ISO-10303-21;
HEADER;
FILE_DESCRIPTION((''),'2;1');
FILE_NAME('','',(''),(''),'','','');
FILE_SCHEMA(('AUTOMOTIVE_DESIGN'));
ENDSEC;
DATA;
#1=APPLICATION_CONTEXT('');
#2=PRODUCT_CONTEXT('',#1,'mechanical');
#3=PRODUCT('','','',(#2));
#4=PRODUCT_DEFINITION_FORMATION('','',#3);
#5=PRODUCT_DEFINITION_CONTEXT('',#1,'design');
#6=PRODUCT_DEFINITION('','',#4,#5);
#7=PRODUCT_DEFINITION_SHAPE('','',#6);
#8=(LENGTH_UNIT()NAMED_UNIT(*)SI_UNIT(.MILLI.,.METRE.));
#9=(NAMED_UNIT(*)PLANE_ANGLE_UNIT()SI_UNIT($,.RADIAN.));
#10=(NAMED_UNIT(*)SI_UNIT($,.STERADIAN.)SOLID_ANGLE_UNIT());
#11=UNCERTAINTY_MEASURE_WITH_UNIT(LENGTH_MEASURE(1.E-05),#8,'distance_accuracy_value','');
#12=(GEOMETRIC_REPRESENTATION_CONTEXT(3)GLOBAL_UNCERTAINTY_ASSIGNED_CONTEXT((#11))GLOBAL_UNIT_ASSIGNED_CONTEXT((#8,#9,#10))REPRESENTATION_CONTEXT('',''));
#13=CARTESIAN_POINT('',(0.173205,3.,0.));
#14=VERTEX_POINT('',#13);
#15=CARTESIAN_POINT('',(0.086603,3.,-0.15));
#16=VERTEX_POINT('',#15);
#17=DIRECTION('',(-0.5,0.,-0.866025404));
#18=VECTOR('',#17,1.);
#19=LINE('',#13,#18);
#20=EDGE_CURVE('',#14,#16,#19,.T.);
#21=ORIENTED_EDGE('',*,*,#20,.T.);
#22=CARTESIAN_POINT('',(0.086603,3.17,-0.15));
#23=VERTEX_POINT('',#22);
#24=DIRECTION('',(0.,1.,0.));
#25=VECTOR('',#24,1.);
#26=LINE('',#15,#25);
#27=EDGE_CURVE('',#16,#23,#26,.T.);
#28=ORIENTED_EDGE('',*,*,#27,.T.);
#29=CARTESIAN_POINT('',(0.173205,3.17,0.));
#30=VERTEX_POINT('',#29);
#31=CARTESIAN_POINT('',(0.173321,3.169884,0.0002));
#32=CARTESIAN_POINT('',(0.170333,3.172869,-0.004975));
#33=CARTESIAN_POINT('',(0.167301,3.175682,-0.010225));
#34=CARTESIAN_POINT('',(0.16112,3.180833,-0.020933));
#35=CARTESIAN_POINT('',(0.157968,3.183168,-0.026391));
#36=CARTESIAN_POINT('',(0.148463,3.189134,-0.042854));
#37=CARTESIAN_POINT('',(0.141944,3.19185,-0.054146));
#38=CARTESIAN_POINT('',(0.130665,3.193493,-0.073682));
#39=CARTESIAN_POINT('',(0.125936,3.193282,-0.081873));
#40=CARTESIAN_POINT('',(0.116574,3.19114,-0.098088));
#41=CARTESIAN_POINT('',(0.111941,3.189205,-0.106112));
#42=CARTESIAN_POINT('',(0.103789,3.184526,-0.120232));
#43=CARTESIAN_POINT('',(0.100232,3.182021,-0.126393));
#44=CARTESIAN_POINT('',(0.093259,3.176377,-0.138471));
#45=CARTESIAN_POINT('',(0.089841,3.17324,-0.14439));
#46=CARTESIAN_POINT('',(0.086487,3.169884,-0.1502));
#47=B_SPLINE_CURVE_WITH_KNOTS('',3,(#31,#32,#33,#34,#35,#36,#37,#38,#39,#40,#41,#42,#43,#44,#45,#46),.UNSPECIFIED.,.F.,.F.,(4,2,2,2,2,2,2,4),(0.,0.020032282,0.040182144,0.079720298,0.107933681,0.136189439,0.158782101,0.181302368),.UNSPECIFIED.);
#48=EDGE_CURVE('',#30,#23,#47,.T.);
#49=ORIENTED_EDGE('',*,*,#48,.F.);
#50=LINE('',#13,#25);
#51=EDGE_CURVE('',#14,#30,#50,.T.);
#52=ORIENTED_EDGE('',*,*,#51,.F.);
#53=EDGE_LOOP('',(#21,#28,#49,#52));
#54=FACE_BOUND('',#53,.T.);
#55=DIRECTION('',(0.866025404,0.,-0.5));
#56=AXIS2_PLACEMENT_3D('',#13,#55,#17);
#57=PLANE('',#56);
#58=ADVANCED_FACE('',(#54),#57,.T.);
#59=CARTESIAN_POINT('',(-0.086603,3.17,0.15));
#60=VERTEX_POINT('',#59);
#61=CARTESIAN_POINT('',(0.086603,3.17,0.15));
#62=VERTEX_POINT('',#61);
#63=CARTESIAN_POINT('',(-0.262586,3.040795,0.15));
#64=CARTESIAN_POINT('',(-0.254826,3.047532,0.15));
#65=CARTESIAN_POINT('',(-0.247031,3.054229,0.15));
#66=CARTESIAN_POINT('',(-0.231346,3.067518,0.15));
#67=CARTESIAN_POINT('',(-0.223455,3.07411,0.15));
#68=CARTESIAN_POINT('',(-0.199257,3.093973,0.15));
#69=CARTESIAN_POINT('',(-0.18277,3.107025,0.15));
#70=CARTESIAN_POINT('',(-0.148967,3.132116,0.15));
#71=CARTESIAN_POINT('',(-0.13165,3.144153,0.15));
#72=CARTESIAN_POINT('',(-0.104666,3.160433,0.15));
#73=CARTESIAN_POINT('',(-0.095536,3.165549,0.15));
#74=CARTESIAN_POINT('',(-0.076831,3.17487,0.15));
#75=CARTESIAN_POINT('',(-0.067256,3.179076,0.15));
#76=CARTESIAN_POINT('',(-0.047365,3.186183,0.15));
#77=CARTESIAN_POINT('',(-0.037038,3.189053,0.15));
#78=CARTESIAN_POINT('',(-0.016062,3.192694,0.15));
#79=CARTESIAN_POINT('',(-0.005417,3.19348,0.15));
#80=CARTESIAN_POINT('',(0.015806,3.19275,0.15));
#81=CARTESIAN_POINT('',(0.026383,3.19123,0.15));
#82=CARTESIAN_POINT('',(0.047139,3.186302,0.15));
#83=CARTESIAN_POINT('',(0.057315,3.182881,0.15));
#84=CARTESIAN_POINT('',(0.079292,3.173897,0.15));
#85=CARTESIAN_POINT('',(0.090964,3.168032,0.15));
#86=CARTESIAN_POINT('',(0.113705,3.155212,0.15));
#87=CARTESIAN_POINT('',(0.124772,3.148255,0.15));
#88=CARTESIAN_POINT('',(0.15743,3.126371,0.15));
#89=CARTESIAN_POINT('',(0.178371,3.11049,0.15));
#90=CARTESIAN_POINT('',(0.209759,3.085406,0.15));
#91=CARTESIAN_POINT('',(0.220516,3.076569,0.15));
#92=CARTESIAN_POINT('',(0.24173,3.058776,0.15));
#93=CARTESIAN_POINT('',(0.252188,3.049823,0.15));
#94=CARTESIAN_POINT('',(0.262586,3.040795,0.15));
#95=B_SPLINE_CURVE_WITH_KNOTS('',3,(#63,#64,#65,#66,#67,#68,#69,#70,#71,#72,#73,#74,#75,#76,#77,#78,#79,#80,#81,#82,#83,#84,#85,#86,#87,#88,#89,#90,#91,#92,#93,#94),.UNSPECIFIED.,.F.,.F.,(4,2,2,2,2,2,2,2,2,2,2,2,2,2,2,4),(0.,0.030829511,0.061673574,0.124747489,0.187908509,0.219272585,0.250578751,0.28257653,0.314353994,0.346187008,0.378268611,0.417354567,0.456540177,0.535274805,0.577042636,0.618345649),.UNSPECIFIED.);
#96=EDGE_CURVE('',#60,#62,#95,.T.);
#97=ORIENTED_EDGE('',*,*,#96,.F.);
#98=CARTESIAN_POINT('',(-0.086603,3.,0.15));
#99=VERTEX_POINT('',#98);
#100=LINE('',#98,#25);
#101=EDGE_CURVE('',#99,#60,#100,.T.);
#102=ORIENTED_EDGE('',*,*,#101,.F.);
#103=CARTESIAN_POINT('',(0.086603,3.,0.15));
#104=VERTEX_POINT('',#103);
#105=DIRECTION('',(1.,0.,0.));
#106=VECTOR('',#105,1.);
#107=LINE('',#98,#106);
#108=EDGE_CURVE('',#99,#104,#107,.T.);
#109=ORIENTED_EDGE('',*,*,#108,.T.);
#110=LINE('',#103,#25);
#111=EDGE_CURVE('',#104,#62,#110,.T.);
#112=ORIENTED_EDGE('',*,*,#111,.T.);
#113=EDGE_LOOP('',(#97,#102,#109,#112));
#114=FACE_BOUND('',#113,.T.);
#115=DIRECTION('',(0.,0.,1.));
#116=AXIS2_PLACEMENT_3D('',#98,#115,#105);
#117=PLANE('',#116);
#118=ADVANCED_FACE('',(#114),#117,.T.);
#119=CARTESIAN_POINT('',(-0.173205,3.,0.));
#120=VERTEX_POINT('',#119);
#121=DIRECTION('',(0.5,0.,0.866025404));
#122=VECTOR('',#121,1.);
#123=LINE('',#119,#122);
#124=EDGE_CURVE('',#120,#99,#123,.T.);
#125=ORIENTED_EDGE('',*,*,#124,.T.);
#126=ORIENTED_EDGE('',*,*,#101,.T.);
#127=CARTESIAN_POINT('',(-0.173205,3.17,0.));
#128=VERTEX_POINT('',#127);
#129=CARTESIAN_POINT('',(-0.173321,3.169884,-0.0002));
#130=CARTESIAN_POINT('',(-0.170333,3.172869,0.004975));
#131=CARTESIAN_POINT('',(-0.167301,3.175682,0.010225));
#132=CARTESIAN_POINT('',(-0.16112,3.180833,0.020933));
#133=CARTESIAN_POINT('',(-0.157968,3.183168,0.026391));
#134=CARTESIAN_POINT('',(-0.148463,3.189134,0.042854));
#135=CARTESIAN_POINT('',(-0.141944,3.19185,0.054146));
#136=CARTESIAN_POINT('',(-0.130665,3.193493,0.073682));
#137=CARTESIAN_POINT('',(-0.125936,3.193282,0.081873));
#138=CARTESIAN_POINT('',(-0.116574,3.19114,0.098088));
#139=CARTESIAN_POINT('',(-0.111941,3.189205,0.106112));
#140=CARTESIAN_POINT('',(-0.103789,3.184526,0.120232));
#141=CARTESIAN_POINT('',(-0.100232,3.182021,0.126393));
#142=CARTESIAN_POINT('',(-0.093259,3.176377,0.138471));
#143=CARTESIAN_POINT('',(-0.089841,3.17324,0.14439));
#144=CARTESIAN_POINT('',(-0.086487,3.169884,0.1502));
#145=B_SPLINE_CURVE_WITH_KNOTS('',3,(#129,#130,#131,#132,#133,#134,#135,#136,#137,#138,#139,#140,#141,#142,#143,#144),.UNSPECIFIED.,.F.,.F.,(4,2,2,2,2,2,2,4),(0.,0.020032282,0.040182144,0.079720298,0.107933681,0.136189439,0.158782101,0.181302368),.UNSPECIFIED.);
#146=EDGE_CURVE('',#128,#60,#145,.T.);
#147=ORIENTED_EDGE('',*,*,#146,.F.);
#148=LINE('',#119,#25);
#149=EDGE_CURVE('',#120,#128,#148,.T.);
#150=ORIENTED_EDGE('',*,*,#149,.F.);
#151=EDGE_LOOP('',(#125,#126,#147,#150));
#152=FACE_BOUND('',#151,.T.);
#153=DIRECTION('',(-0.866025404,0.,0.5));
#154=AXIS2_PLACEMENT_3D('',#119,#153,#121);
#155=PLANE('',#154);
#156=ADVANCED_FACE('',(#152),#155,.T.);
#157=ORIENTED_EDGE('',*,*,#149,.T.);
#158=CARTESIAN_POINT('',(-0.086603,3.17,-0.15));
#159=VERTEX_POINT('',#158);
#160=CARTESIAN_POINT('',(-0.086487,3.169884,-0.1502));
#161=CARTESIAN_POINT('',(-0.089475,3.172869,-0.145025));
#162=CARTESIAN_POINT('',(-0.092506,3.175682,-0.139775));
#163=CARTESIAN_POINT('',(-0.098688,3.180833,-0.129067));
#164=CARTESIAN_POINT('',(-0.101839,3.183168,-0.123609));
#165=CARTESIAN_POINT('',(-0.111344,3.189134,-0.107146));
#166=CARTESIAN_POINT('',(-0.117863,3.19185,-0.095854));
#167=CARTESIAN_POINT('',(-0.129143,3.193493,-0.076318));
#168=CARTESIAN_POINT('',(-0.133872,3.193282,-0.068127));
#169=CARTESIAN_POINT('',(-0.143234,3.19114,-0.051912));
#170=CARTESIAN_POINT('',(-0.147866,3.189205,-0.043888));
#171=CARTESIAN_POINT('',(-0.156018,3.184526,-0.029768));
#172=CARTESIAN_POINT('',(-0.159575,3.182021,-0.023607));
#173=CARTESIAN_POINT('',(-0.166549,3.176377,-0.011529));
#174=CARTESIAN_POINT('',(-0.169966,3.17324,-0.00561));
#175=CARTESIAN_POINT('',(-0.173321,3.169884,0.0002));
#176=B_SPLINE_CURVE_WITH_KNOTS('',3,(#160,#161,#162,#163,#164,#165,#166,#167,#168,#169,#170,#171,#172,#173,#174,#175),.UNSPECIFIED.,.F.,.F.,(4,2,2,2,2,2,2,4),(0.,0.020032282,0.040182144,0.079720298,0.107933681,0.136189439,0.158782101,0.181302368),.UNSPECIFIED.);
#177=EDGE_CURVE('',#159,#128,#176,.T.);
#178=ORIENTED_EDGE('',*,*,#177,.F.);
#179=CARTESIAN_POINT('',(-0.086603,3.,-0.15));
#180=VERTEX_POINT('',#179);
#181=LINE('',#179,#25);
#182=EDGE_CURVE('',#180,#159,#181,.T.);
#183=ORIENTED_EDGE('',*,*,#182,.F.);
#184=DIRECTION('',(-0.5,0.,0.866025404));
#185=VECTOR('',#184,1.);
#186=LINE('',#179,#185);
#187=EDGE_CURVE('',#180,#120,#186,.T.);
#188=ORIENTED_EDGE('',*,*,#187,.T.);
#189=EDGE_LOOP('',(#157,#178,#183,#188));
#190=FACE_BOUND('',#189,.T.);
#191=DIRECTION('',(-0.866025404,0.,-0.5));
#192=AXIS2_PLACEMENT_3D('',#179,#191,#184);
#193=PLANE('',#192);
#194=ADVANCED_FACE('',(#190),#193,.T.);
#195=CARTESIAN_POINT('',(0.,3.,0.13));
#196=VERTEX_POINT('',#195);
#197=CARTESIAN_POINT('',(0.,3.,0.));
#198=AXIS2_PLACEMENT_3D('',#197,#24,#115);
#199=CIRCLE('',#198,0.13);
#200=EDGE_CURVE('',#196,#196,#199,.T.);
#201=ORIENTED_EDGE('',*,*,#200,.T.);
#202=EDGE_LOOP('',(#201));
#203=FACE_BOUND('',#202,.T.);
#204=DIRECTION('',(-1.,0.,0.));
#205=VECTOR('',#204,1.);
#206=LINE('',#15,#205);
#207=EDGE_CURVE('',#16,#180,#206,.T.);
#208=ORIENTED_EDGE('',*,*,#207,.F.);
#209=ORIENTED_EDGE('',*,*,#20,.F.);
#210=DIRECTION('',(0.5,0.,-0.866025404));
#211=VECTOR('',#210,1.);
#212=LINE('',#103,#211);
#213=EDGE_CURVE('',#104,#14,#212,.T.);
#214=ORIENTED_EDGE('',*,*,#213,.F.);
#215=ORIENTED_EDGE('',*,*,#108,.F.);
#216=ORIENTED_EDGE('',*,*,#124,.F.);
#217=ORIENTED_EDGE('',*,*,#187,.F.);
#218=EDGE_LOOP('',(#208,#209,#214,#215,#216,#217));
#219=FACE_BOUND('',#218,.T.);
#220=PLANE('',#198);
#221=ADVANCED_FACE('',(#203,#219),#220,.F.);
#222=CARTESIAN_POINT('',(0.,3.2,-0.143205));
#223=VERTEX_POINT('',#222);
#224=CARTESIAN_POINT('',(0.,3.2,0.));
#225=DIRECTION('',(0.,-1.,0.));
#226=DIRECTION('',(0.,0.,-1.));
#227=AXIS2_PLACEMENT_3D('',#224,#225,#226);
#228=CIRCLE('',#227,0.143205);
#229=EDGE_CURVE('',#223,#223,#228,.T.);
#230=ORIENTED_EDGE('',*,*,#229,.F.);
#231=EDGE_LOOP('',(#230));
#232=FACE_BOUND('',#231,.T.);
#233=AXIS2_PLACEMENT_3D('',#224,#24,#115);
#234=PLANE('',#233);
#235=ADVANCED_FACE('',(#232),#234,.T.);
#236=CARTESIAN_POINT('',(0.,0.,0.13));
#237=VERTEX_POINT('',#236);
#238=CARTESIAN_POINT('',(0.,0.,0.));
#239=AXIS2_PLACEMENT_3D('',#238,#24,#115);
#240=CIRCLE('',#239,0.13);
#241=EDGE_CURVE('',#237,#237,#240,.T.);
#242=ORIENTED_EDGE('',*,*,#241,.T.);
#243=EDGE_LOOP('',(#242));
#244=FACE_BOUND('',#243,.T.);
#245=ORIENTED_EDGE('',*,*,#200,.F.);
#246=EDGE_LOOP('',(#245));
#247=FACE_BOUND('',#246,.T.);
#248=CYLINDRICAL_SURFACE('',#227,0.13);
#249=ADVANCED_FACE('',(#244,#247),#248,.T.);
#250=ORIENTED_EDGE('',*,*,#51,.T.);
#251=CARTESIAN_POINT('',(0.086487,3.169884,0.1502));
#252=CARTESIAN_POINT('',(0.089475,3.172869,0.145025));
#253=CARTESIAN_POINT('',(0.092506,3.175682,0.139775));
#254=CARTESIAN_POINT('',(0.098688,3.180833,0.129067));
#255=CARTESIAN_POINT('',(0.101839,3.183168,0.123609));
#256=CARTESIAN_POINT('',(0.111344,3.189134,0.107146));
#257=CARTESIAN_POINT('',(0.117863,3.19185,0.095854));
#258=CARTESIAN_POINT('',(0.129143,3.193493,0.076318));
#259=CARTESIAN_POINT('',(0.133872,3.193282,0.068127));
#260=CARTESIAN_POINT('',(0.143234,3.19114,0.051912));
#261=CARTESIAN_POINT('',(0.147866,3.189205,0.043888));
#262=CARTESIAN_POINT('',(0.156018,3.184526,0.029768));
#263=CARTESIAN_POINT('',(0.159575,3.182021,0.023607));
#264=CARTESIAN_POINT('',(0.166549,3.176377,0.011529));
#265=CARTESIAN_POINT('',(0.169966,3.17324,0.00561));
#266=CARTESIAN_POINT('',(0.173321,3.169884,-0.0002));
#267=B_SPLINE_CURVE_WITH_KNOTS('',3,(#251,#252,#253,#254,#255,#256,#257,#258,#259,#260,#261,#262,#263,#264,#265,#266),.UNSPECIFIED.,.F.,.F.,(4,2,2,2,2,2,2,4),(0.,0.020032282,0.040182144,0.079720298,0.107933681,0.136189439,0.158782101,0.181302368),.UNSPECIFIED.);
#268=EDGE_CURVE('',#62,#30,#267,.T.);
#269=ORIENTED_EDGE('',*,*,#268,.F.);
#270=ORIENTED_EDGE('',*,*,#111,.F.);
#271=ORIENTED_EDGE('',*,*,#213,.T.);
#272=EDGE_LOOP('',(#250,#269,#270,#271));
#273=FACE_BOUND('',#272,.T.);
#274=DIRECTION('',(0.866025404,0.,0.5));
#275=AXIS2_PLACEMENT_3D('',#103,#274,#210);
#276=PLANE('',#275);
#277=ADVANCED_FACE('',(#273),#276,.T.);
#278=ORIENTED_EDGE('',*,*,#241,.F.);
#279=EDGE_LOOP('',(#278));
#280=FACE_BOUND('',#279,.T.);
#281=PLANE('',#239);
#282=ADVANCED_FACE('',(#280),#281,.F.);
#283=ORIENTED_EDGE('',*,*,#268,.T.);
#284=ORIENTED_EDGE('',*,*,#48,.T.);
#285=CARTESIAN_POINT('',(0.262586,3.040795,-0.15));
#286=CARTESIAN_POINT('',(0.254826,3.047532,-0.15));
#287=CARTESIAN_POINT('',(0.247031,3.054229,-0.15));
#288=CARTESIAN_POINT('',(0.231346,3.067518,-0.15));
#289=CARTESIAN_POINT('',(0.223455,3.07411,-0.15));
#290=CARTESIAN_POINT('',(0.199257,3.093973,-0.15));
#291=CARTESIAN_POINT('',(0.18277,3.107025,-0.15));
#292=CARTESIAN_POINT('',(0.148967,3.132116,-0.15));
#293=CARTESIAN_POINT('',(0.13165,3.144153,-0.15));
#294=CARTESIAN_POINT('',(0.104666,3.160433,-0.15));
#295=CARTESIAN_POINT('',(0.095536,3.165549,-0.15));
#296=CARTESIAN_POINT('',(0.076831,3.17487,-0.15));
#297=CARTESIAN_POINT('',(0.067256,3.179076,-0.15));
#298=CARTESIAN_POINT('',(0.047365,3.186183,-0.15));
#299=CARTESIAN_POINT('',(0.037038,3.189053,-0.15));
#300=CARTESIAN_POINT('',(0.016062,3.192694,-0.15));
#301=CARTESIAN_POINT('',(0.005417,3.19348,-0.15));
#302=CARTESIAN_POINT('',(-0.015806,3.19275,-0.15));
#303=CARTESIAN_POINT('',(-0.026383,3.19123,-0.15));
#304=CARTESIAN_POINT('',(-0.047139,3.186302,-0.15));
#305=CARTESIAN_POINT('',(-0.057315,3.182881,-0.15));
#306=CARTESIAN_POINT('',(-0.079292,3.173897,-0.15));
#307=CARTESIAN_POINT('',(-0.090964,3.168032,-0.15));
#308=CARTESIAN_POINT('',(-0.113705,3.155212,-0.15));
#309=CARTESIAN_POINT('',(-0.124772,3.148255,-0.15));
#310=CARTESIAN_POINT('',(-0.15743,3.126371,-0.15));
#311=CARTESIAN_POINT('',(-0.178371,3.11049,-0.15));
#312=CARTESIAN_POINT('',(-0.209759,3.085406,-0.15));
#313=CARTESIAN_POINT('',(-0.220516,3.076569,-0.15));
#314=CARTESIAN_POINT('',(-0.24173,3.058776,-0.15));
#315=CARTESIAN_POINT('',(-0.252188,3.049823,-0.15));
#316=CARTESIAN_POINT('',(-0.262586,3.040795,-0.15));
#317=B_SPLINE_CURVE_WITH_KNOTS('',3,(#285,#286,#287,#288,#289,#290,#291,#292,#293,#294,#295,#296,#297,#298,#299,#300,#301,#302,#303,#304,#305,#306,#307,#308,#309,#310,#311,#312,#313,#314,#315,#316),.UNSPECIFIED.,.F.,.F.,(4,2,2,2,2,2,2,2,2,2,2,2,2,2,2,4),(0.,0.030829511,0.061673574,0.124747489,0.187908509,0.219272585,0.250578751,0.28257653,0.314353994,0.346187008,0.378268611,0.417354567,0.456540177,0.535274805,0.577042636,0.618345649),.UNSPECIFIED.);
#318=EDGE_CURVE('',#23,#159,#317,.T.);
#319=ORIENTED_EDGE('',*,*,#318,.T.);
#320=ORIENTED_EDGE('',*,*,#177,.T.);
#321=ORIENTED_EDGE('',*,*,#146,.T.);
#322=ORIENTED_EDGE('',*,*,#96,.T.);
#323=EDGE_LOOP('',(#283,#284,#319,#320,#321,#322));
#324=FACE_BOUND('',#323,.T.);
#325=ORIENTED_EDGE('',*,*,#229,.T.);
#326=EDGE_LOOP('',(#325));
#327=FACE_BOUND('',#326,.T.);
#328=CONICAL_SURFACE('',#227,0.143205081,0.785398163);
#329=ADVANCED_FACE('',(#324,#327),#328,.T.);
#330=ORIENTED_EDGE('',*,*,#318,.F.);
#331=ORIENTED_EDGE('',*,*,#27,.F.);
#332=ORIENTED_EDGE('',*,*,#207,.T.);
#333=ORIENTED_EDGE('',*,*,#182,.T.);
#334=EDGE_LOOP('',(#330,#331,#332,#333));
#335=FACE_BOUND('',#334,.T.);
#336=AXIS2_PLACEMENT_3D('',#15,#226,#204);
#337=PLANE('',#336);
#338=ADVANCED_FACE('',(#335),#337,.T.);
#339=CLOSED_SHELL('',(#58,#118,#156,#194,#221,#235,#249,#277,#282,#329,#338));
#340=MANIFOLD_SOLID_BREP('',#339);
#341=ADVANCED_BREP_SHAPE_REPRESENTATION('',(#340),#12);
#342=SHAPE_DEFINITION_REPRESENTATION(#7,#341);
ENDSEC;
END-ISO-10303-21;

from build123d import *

# Parameters (mm, degrees)
SKETCH1_R           = 0.13
BOSS_EXTRUDE1_DEPTH = 3.2
BOSS_EXTRUDE2_DEPTH = 0.2


with BuildPart() as part:
    # Sketch1 → Boss-Extrude1 (new body)
    with BuildSketch(Plane(origin=(0, 0, 0), x_dir=(1, 0, 0), z_dir=(0, 1, 0))):
        Circle(SKETCH1_R)
    extrude(amount=BOSS_EXTRUDE1_DEPTH)

    # Sketch2 → Boss-Extrude2 (add)
    with BuildSketch(Plane(origin=(0, 3.2, 0), x_dir=(1, 0, 0), z_dir=(0, 1, 0))):
        Polygon((0.173205081, 0), (0.08660254, 0.15), (-0.08660254, 0.15), (-0.173205081, 0), (-0.08660254, -0.15), (0.08660254, -0.15), align=None)
    extrude(amount=-BOSS_EXTRUDE2_DEPTH)

    # Sketch3 → Cut-Revolve1 (revolve, cut)
    with BuildSketch(Plane.XY):
        Polygon((0.173205081, 3.2), (0.173205081, 3.17), (0.143205081, 3.2), align=None)
    revolve(axis=Axis((0, 0, 0), (0, 1, 0)), mode=Mode.SUBTRACT)


solid = part.part
